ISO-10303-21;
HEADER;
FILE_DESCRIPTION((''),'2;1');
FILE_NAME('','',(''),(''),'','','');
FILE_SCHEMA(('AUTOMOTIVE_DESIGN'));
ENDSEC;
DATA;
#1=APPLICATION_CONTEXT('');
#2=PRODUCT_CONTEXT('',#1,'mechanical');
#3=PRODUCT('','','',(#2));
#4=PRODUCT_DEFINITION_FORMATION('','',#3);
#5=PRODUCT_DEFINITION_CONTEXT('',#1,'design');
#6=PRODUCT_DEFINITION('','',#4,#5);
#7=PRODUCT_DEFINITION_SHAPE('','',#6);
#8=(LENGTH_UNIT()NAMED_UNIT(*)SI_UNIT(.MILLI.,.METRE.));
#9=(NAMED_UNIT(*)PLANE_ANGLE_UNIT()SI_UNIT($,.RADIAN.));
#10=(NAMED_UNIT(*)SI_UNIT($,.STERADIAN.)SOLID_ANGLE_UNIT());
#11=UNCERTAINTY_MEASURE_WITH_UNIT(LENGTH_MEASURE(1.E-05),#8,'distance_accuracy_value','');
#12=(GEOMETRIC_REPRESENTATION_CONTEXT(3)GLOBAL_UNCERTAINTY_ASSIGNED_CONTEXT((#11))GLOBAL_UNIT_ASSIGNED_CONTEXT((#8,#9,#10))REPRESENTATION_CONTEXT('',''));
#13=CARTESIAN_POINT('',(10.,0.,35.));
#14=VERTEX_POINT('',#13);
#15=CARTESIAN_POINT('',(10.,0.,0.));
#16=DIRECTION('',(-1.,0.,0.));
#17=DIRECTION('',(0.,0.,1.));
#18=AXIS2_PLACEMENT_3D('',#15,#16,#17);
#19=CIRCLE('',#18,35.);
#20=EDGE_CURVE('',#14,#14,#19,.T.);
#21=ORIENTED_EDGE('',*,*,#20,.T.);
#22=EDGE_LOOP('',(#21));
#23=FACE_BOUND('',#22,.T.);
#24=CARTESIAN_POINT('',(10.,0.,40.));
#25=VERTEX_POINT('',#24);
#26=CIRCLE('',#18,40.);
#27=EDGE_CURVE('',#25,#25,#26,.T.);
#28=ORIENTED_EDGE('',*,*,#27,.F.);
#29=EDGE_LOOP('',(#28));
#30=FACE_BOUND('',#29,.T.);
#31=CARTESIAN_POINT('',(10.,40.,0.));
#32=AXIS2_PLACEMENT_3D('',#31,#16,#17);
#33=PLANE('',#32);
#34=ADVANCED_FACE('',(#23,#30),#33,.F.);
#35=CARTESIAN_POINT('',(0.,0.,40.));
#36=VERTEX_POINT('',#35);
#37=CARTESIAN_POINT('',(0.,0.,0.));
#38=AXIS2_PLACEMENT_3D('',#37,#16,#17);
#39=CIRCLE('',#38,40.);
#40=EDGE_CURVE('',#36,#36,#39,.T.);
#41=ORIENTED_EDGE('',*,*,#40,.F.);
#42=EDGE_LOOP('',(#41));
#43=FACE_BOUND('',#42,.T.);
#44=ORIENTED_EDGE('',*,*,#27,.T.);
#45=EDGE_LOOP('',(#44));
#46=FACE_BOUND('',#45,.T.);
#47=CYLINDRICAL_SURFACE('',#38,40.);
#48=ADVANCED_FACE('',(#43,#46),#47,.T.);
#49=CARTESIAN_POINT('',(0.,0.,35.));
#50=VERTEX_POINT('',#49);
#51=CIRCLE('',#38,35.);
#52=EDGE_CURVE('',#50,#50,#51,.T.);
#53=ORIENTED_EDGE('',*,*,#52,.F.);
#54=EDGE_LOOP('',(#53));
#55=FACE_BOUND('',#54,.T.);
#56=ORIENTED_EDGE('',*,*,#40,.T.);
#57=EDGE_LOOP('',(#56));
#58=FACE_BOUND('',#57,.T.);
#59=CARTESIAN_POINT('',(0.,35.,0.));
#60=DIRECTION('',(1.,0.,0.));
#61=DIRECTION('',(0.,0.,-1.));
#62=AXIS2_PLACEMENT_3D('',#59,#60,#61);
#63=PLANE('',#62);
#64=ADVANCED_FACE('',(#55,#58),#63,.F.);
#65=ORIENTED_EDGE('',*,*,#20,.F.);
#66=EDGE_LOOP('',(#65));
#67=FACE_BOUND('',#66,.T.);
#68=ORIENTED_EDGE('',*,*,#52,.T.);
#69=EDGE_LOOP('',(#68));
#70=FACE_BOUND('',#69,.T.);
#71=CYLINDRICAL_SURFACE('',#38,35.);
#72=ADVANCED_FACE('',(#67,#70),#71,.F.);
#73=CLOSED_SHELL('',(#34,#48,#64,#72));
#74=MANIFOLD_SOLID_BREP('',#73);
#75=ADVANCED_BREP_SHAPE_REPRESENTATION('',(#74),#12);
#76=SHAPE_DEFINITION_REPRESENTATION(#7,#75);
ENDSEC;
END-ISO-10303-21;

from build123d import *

# Parameters (mm, degrees)
SKETCH1_W = 10
SKETCH1_H = 5


with BuildPart() as part:
    # Sketch1 → Revolve1 (revolve)
    with BuildSketch(Plane.XY, mode=Mode.PRIVATE) as revolve1_sk:
        with Locations((5, 37.5)):
            Rectangle(SKETCH1_W, SKETCH1_H)
    revolve(revolve1_sk.sketch.rotate(Axis((0, 0, 0), (1, 0, 0)), 90), axis=Axis((0, 0, 0), (1, 0, 0)))


solid = part.part
